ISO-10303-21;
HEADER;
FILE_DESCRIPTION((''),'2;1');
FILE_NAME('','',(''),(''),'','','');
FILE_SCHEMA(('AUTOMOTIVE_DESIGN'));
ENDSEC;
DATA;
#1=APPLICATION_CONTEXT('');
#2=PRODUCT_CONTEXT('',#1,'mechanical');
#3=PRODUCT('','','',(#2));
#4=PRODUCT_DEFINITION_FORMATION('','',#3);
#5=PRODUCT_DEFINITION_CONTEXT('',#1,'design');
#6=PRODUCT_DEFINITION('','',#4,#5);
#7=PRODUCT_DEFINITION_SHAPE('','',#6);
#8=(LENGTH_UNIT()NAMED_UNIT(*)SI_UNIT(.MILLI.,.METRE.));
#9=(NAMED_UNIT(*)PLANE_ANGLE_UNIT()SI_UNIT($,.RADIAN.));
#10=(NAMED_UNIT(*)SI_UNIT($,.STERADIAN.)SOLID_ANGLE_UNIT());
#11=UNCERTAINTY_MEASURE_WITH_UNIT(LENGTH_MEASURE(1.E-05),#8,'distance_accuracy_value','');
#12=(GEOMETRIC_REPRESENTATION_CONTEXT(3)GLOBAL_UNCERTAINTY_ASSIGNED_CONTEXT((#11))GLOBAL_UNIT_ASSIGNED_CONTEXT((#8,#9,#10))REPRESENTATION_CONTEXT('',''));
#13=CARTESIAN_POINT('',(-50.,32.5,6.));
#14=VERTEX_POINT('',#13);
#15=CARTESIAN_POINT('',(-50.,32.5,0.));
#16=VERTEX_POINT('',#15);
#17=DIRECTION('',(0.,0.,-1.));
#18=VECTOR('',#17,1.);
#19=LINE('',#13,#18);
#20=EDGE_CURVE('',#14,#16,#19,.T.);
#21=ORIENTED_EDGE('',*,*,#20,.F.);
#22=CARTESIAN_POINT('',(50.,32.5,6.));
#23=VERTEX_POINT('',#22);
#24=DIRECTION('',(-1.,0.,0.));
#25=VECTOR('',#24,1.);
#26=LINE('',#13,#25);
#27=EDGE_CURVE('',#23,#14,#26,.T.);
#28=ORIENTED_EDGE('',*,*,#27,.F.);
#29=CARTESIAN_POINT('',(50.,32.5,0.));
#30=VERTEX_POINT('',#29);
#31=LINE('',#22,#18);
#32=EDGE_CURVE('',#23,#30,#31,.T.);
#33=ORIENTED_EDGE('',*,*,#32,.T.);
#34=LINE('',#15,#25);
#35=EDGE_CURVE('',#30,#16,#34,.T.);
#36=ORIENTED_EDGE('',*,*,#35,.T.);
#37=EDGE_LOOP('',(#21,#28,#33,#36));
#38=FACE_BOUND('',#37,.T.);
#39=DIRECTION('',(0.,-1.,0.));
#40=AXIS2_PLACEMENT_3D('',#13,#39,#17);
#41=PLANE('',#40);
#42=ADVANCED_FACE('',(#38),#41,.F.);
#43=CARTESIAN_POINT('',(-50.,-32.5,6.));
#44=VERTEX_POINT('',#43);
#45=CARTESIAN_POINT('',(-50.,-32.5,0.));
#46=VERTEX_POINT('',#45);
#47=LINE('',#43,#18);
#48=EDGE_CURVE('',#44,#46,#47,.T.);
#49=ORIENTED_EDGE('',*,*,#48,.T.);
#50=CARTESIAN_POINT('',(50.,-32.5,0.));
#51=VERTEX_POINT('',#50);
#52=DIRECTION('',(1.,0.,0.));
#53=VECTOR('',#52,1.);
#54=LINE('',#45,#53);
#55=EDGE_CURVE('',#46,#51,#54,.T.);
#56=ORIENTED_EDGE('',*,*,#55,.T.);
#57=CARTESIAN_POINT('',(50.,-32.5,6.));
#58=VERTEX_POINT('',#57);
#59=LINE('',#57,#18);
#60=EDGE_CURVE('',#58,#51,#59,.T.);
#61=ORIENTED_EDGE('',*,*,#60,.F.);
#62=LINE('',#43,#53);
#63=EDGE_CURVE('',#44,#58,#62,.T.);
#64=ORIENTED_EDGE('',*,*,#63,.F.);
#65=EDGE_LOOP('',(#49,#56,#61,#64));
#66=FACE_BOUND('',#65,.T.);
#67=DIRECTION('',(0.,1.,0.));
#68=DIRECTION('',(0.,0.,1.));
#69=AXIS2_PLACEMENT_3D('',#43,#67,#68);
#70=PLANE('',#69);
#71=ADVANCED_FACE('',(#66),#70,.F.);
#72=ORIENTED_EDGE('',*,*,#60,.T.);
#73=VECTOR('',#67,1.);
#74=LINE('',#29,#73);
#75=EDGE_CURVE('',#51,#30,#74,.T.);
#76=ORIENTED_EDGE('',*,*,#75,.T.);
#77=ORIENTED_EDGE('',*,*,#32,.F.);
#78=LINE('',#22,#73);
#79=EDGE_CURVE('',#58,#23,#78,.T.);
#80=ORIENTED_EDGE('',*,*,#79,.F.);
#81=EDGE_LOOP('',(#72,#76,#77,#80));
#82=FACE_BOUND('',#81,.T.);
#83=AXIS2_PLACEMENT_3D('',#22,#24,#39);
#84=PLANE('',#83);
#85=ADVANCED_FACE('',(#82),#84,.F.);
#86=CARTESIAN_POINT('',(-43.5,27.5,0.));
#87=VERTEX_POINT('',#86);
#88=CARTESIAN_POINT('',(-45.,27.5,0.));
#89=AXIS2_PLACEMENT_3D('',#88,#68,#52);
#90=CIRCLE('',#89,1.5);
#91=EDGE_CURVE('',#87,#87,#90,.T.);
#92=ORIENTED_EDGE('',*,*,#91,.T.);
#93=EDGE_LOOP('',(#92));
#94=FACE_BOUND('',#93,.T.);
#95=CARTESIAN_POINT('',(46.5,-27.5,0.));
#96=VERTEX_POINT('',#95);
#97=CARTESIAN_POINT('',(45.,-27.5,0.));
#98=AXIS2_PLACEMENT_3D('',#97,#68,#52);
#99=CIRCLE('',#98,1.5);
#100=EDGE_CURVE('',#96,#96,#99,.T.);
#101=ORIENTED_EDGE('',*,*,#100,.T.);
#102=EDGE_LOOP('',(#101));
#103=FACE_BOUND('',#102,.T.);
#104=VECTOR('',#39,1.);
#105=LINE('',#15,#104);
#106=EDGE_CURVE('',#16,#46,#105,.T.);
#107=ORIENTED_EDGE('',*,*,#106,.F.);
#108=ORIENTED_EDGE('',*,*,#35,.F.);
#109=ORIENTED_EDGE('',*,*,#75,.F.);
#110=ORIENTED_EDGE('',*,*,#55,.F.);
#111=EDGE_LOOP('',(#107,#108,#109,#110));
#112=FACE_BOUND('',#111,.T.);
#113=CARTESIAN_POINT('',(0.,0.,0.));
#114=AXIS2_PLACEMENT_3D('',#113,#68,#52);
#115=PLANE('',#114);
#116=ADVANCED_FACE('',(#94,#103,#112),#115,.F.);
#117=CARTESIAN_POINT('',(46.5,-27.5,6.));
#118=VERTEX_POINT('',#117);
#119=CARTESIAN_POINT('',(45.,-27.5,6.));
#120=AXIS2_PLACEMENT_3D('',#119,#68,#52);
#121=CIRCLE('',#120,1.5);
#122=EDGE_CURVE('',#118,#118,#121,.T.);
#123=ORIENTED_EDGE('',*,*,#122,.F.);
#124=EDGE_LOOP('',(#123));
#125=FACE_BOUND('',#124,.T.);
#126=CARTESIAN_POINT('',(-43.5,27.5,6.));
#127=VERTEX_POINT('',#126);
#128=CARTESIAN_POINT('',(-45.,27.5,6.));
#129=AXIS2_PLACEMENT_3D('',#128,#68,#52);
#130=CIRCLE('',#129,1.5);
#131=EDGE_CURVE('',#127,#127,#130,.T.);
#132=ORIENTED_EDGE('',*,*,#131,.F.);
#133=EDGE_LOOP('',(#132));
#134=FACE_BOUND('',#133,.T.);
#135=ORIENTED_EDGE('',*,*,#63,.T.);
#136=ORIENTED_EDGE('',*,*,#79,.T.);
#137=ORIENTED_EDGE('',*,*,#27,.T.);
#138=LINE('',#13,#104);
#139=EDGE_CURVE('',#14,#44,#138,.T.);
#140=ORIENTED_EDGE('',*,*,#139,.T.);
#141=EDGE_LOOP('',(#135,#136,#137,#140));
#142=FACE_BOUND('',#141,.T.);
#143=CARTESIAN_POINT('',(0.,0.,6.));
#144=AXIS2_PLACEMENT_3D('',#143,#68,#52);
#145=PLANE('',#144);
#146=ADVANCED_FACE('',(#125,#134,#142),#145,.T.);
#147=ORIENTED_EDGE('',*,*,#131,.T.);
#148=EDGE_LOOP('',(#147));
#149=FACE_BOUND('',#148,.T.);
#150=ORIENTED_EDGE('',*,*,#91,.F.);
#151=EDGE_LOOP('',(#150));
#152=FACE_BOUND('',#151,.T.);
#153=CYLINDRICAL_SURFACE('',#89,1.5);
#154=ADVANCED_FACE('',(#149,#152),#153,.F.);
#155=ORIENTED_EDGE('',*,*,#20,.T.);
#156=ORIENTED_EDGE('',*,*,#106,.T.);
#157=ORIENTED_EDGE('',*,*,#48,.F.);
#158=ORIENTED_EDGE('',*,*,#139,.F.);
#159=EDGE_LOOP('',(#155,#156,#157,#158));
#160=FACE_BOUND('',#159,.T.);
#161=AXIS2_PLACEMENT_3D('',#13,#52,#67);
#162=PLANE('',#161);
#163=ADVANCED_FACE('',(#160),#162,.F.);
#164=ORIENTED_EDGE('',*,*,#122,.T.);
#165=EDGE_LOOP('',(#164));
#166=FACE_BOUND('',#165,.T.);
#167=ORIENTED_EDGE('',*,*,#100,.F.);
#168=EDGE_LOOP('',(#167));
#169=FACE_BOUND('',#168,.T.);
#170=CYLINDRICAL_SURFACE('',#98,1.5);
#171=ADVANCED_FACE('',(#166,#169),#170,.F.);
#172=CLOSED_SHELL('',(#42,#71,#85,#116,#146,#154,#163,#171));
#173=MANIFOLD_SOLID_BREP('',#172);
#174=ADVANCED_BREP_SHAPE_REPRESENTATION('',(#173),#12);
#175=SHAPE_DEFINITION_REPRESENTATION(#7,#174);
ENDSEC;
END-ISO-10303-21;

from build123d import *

# Parameters (mm, degrees)
ESQUISSE1_W             = 100
ESQUISSE1_H             = 65
BOSS_EXTRU_1_DEPTH      = 6
ESQUISSE2_R             = 1.5
ENL_V_MAT_EXTRU_1_DEPTH = 6


with BuildPart() as part:
    # Esquisse1 → Boss.-Extru.1 (new body)
    with BuildSketch(Plane.XY):
        Rectangle(ESQUISSE1_W, ESQUISSE1_H)
    extrude(amount=BOSS_EXTRU_1_DEPTH)

    # Esquisse2 → Enlèv. mat.-Extru.1 (cut)
    with BuildSketch(Plane.XY.offset(6)):
        with Locations((-45, 27.5)):
            Circle(ESQUISSE2_R)
        with Locations((45, -27.5)):
            Circle(ESQUISSE2_R)
    extrude(amount=-ENL_V_MAT_EXTRU_1_DEPTH, mode=Mode.SUBTRACT)


solid = part.part
